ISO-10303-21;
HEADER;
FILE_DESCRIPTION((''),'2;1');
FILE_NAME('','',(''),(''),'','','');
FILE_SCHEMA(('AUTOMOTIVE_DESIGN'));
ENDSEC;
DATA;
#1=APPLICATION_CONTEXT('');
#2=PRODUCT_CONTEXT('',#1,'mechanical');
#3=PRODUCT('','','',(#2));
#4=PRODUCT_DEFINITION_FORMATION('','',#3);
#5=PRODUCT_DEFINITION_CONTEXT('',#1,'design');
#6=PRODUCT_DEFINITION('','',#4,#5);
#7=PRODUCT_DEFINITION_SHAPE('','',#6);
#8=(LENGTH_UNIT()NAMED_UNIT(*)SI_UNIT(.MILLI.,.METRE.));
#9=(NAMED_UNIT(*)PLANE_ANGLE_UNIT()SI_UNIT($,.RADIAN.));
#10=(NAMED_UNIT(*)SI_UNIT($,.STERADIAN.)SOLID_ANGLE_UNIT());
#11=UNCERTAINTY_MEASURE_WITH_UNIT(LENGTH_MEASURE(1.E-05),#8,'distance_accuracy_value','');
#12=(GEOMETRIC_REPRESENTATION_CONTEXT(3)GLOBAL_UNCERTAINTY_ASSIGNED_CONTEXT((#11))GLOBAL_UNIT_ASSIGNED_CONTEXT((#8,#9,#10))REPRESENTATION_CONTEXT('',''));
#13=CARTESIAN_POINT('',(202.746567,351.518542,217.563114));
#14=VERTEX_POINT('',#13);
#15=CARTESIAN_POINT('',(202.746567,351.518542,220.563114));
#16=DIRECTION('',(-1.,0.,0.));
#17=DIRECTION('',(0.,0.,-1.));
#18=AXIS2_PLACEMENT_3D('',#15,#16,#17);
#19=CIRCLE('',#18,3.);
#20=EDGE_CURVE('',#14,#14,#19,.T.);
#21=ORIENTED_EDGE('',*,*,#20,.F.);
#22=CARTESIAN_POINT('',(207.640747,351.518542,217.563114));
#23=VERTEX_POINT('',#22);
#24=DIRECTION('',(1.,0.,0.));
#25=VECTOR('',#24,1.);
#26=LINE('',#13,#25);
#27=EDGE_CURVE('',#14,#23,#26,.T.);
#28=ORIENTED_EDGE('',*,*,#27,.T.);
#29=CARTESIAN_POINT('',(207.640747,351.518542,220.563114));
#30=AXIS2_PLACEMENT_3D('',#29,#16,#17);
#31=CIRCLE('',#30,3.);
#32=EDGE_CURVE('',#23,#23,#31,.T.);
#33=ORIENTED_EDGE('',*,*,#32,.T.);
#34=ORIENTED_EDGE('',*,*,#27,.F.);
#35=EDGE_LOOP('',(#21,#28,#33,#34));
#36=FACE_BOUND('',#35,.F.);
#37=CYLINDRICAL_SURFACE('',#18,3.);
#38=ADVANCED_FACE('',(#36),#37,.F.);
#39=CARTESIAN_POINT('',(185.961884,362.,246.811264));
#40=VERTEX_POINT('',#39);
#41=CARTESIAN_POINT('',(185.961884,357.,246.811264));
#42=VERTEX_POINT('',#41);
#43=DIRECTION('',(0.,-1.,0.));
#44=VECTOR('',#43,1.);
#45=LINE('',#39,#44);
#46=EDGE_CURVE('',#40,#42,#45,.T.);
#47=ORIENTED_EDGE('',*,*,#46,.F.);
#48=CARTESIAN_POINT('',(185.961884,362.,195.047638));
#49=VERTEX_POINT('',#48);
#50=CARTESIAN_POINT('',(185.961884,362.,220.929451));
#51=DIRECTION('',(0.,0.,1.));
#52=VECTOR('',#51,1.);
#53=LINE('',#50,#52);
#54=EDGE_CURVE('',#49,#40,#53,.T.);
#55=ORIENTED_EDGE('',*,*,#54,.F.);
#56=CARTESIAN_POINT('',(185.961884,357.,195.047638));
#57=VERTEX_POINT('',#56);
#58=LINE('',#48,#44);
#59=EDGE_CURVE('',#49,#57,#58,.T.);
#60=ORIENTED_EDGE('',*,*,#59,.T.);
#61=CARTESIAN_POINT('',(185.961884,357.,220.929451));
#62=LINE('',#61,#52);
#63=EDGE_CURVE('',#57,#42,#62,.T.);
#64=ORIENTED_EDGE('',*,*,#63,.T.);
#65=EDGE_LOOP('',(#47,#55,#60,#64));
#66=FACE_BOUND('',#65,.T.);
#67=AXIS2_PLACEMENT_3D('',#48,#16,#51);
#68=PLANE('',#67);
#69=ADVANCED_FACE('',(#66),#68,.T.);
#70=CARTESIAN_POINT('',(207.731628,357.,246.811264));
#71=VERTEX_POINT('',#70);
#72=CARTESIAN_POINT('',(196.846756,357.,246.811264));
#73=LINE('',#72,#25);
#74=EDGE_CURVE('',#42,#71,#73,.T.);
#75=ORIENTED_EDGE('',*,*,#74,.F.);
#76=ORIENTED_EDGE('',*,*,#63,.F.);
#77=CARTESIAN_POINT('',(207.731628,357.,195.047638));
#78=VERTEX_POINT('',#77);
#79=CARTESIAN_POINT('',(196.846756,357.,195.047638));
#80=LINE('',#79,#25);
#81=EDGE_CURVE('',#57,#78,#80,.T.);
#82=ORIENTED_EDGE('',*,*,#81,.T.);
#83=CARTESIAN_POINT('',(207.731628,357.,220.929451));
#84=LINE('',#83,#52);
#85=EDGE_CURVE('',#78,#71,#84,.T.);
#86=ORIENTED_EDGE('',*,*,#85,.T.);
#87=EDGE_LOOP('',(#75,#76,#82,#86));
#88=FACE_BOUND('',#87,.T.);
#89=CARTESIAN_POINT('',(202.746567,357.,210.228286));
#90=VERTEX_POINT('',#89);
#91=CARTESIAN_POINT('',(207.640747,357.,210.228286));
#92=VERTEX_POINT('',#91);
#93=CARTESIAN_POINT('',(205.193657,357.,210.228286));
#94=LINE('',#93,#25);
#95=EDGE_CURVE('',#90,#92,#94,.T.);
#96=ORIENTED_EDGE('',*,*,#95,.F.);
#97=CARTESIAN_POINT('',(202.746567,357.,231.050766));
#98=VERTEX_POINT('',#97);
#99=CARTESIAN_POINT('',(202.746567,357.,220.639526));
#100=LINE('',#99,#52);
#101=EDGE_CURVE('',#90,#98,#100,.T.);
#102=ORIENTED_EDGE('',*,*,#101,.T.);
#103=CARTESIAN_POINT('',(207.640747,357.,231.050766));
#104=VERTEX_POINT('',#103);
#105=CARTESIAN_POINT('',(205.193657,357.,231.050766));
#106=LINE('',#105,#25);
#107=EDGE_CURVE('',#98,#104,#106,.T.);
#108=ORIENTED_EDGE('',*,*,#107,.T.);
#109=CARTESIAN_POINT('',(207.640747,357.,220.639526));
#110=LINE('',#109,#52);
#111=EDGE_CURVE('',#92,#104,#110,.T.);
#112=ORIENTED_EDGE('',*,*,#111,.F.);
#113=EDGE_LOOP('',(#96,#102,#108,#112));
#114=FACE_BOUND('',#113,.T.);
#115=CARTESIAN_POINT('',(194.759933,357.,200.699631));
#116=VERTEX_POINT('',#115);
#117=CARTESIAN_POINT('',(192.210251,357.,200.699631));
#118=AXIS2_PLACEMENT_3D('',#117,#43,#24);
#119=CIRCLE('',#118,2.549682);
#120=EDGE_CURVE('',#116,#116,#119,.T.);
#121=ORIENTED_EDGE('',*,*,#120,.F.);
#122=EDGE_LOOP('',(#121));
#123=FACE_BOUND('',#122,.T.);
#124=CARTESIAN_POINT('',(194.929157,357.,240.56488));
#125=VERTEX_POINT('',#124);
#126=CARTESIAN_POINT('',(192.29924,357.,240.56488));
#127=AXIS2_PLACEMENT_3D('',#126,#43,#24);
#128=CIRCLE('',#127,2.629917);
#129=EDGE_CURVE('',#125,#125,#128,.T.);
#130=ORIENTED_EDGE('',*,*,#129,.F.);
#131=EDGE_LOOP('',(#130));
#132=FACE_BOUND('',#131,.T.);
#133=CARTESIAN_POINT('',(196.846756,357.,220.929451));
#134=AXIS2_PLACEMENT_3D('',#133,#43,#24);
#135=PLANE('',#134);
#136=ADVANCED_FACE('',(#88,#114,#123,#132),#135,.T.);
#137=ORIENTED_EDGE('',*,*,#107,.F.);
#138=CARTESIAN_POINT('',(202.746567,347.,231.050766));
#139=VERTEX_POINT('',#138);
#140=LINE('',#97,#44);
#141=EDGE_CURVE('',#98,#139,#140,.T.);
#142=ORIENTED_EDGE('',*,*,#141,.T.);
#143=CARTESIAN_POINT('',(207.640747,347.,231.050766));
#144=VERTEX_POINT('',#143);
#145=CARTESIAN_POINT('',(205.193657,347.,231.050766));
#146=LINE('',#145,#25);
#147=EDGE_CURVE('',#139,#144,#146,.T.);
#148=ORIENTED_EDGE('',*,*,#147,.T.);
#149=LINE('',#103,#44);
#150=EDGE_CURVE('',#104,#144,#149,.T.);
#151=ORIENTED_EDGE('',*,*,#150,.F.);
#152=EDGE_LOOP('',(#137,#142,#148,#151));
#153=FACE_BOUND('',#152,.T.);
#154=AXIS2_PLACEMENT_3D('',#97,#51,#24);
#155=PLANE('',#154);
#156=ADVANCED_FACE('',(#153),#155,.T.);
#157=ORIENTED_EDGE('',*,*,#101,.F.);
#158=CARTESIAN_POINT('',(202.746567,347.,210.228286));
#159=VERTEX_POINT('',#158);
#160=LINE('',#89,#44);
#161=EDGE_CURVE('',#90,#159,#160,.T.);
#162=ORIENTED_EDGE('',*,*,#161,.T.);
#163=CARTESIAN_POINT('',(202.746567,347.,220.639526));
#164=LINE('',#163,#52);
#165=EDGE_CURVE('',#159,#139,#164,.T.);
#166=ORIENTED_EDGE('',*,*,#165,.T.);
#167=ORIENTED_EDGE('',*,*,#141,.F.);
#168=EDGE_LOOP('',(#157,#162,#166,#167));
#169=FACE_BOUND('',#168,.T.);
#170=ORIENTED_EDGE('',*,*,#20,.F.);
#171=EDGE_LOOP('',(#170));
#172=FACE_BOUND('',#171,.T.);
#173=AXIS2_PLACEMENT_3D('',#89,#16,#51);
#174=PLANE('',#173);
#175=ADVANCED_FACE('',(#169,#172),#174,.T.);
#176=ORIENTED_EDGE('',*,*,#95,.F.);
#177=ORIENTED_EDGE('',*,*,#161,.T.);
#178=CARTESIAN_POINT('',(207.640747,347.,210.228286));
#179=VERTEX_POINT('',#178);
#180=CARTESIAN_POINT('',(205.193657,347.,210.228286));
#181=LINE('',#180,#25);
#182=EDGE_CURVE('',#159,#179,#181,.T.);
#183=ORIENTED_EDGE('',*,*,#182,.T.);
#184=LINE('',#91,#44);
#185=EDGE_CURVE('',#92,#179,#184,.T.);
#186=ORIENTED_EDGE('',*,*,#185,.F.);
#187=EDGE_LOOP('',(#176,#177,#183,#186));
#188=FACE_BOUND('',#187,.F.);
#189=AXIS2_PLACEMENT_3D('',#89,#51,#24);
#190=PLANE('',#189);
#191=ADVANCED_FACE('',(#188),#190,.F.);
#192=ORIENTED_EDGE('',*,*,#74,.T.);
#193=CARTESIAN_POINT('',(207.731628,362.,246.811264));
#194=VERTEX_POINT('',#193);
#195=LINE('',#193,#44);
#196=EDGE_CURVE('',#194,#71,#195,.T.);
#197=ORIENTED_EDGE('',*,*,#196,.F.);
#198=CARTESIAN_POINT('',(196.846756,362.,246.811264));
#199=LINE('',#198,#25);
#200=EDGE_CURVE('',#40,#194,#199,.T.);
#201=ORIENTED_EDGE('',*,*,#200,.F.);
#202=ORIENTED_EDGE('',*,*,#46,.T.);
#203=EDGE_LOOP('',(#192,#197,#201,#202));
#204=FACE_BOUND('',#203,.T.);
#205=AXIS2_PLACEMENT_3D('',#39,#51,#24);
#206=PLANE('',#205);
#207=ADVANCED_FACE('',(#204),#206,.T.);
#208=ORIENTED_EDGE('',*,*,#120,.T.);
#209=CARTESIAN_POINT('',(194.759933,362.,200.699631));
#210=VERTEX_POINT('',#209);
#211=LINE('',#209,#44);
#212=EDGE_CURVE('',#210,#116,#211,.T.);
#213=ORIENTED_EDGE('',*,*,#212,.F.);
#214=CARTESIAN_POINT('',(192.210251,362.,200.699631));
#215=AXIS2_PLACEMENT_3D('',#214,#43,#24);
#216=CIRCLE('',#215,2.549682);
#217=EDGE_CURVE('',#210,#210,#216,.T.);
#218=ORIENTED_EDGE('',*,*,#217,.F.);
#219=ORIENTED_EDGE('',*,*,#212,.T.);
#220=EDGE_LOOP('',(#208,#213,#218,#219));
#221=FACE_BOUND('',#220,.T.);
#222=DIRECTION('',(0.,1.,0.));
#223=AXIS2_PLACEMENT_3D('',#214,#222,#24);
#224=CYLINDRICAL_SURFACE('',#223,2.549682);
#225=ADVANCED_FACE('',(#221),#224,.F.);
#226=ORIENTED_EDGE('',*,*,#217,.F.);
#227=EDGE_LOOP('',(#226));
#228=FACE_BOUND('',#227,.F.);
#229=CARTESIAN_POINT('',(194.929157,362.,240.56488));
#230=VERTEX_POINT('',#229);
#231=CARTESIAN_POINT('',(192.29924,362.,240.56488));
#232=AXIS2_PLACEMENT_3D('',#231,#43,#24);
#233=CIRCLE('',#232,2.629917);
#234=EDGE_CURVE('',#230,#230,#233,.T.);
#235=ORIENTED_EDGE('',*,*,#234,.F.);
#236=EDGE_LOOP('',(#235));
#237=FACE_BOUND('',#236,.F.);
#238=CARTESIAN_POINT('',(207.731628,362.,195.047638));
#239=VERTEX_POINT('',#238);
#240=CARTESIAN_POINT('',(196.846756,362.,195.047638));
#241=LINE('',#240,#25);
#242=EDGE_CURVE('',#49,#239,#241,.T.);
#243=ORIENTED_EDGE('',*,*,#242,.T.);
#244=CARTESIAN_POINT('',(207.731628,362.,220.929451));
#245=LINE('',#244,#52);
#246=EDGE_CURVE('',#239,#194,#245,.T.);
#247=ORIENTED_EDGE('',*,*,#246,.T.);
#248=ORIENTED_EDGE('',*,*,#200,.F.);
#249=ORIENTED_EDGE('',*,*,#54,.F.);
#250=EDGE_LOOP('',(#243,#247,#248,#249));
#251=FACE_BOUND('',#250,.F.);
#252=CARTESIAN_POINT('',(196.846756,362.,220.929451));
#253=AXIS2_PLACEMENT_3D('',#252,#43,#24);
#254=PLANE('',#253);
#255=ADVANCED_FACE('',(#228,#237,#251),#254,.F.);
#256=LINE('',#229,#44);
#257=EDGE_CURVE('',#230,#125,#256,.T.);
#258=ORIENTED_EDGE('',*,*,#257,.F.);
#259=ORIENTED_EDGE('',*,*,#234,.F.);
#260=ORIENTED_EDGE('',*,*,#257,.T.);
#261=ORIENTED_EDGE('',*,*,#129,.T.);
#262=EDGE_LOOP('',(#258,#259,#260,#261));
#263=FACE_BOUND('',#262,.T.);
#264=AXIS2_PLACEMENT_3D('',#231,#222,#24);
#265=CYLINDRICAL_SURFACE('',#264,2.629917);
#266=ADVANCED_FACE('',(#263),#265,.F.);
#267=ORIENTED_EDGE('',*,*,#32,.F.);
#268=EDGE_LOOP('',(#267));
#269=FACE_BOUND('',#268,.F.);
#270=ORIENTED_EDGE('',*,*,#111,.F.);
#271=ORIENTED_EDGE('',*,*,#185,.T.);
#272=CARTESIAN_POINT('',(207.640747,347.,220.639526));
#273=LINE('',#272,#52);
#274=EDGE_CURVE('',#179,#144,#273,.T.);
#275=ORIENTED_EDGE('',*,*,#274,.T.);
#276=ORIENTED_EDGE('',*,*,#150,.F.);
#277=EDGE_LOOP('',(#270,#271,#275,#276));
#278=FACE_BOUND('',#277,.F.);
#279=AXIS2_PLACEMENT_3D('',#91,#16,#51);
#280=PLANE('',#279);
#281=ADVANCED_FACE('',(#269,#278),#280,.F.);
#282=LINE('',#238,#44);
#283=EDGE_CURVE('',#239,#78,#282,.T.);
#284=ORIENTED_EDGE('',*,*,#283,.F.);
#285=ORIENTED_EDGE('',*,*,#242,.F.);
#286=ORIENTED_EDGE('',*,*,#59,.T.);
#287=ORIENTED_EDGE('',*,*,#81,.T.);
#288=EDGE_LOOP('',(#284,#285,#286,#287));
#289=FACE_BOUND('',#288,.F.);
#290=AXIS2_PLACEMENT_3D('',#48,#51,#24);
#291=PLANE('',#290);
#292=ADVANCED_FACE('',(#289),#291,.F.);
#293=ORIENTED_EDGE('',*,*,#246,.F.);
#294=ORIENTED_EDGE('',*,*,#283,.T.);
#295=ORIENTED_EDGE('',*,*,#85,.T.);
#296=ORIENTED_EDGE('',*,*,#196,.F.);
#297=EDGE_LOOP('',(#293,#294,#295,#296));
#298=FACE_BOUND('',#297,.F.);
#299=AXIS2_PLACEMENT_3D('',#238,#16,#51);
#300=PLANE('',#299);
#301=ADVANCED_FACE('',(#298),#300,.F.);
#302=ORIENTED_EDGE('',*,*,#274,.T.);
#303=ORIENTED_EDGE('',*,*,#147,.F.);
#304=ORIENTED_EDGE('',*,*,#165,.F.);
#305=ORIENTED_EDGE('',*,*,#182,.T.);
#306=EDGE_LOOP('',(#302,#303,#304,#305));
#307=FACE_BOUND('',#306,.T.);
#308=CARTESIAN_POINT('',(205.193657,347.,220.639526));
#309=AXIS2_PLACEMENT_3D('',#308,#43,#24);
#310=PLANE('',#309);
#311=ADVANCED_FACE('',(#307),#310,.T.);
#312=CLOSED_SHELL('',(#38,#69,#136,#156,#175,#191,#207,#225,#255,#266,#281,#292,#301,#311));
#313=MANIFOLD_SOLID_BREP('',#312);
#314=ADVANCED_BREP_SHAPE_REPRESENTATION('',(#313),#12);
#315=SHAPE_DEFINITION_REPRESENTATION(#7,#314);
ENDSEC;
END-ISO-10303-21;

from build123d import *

# Parameters (mm, degrees)
SKETCH143_W     = 21.769744
SKETCH143_H     = 51.763626
SKETCH143_R     = 2.629917
SKETCH143_R_2   = 2.549682
PAD053_DEPTH    = 5
SKETCH142_W     = 4.89418
SKETCH142_H     = 20.822479
PAD052_DEPTH    = 10
SKETCH141_R     = 3
POCKET084_DEPTH = 5


with BuildPart() as part:
    # Sketch143 → Pad053 (new body)
    with BuildSketch(Plane(origin=(195, 362, 200), x_dir=(1, 0, 0), z_dir=(0, -1, 0))):
        with Locations((1.846756, 20.929451)):
            Rectangle(SKETCH143_W, SKETCH143_H)
        with Locations((-2.70076, 40.56488)):
            Circle(SKETCH143_R, mode=Mode.SUBTRACT)
        with Locations((-2.789749, 0.699631)):
            Circle(SKETCH143_R_2, mode=Mode.SUBTRACT)
    extrude(amount=PAD053_DEPTH)

    # Sketch142 → Pad052 (new body)
    with BuildSketch(Plane(origin=(195, 357, 200), x_dir=(1, 0, 0), z_dir=(0, -1, 0))):
        with Locations((10.193657, 20.639526)):
            Rectangle(SKETCH142_W, SKETCH142_H)
    extrude(amount=PAD052_DEPTH)

    # Sketch141 → Pocket084 (cut)
    with BuildSketch(Plane(origin=(202.746567, 362, 200), x_dir=(0, 0, -1), z_dir=(-1, 0, 0))):
        with Locations((-20.563114, 10.481458)):
            Circle(SKETCH141_R)
    extrude(amount=-POCKET084_DEPTH, mode=Mode.SUBTRACT)


solid = part.part
